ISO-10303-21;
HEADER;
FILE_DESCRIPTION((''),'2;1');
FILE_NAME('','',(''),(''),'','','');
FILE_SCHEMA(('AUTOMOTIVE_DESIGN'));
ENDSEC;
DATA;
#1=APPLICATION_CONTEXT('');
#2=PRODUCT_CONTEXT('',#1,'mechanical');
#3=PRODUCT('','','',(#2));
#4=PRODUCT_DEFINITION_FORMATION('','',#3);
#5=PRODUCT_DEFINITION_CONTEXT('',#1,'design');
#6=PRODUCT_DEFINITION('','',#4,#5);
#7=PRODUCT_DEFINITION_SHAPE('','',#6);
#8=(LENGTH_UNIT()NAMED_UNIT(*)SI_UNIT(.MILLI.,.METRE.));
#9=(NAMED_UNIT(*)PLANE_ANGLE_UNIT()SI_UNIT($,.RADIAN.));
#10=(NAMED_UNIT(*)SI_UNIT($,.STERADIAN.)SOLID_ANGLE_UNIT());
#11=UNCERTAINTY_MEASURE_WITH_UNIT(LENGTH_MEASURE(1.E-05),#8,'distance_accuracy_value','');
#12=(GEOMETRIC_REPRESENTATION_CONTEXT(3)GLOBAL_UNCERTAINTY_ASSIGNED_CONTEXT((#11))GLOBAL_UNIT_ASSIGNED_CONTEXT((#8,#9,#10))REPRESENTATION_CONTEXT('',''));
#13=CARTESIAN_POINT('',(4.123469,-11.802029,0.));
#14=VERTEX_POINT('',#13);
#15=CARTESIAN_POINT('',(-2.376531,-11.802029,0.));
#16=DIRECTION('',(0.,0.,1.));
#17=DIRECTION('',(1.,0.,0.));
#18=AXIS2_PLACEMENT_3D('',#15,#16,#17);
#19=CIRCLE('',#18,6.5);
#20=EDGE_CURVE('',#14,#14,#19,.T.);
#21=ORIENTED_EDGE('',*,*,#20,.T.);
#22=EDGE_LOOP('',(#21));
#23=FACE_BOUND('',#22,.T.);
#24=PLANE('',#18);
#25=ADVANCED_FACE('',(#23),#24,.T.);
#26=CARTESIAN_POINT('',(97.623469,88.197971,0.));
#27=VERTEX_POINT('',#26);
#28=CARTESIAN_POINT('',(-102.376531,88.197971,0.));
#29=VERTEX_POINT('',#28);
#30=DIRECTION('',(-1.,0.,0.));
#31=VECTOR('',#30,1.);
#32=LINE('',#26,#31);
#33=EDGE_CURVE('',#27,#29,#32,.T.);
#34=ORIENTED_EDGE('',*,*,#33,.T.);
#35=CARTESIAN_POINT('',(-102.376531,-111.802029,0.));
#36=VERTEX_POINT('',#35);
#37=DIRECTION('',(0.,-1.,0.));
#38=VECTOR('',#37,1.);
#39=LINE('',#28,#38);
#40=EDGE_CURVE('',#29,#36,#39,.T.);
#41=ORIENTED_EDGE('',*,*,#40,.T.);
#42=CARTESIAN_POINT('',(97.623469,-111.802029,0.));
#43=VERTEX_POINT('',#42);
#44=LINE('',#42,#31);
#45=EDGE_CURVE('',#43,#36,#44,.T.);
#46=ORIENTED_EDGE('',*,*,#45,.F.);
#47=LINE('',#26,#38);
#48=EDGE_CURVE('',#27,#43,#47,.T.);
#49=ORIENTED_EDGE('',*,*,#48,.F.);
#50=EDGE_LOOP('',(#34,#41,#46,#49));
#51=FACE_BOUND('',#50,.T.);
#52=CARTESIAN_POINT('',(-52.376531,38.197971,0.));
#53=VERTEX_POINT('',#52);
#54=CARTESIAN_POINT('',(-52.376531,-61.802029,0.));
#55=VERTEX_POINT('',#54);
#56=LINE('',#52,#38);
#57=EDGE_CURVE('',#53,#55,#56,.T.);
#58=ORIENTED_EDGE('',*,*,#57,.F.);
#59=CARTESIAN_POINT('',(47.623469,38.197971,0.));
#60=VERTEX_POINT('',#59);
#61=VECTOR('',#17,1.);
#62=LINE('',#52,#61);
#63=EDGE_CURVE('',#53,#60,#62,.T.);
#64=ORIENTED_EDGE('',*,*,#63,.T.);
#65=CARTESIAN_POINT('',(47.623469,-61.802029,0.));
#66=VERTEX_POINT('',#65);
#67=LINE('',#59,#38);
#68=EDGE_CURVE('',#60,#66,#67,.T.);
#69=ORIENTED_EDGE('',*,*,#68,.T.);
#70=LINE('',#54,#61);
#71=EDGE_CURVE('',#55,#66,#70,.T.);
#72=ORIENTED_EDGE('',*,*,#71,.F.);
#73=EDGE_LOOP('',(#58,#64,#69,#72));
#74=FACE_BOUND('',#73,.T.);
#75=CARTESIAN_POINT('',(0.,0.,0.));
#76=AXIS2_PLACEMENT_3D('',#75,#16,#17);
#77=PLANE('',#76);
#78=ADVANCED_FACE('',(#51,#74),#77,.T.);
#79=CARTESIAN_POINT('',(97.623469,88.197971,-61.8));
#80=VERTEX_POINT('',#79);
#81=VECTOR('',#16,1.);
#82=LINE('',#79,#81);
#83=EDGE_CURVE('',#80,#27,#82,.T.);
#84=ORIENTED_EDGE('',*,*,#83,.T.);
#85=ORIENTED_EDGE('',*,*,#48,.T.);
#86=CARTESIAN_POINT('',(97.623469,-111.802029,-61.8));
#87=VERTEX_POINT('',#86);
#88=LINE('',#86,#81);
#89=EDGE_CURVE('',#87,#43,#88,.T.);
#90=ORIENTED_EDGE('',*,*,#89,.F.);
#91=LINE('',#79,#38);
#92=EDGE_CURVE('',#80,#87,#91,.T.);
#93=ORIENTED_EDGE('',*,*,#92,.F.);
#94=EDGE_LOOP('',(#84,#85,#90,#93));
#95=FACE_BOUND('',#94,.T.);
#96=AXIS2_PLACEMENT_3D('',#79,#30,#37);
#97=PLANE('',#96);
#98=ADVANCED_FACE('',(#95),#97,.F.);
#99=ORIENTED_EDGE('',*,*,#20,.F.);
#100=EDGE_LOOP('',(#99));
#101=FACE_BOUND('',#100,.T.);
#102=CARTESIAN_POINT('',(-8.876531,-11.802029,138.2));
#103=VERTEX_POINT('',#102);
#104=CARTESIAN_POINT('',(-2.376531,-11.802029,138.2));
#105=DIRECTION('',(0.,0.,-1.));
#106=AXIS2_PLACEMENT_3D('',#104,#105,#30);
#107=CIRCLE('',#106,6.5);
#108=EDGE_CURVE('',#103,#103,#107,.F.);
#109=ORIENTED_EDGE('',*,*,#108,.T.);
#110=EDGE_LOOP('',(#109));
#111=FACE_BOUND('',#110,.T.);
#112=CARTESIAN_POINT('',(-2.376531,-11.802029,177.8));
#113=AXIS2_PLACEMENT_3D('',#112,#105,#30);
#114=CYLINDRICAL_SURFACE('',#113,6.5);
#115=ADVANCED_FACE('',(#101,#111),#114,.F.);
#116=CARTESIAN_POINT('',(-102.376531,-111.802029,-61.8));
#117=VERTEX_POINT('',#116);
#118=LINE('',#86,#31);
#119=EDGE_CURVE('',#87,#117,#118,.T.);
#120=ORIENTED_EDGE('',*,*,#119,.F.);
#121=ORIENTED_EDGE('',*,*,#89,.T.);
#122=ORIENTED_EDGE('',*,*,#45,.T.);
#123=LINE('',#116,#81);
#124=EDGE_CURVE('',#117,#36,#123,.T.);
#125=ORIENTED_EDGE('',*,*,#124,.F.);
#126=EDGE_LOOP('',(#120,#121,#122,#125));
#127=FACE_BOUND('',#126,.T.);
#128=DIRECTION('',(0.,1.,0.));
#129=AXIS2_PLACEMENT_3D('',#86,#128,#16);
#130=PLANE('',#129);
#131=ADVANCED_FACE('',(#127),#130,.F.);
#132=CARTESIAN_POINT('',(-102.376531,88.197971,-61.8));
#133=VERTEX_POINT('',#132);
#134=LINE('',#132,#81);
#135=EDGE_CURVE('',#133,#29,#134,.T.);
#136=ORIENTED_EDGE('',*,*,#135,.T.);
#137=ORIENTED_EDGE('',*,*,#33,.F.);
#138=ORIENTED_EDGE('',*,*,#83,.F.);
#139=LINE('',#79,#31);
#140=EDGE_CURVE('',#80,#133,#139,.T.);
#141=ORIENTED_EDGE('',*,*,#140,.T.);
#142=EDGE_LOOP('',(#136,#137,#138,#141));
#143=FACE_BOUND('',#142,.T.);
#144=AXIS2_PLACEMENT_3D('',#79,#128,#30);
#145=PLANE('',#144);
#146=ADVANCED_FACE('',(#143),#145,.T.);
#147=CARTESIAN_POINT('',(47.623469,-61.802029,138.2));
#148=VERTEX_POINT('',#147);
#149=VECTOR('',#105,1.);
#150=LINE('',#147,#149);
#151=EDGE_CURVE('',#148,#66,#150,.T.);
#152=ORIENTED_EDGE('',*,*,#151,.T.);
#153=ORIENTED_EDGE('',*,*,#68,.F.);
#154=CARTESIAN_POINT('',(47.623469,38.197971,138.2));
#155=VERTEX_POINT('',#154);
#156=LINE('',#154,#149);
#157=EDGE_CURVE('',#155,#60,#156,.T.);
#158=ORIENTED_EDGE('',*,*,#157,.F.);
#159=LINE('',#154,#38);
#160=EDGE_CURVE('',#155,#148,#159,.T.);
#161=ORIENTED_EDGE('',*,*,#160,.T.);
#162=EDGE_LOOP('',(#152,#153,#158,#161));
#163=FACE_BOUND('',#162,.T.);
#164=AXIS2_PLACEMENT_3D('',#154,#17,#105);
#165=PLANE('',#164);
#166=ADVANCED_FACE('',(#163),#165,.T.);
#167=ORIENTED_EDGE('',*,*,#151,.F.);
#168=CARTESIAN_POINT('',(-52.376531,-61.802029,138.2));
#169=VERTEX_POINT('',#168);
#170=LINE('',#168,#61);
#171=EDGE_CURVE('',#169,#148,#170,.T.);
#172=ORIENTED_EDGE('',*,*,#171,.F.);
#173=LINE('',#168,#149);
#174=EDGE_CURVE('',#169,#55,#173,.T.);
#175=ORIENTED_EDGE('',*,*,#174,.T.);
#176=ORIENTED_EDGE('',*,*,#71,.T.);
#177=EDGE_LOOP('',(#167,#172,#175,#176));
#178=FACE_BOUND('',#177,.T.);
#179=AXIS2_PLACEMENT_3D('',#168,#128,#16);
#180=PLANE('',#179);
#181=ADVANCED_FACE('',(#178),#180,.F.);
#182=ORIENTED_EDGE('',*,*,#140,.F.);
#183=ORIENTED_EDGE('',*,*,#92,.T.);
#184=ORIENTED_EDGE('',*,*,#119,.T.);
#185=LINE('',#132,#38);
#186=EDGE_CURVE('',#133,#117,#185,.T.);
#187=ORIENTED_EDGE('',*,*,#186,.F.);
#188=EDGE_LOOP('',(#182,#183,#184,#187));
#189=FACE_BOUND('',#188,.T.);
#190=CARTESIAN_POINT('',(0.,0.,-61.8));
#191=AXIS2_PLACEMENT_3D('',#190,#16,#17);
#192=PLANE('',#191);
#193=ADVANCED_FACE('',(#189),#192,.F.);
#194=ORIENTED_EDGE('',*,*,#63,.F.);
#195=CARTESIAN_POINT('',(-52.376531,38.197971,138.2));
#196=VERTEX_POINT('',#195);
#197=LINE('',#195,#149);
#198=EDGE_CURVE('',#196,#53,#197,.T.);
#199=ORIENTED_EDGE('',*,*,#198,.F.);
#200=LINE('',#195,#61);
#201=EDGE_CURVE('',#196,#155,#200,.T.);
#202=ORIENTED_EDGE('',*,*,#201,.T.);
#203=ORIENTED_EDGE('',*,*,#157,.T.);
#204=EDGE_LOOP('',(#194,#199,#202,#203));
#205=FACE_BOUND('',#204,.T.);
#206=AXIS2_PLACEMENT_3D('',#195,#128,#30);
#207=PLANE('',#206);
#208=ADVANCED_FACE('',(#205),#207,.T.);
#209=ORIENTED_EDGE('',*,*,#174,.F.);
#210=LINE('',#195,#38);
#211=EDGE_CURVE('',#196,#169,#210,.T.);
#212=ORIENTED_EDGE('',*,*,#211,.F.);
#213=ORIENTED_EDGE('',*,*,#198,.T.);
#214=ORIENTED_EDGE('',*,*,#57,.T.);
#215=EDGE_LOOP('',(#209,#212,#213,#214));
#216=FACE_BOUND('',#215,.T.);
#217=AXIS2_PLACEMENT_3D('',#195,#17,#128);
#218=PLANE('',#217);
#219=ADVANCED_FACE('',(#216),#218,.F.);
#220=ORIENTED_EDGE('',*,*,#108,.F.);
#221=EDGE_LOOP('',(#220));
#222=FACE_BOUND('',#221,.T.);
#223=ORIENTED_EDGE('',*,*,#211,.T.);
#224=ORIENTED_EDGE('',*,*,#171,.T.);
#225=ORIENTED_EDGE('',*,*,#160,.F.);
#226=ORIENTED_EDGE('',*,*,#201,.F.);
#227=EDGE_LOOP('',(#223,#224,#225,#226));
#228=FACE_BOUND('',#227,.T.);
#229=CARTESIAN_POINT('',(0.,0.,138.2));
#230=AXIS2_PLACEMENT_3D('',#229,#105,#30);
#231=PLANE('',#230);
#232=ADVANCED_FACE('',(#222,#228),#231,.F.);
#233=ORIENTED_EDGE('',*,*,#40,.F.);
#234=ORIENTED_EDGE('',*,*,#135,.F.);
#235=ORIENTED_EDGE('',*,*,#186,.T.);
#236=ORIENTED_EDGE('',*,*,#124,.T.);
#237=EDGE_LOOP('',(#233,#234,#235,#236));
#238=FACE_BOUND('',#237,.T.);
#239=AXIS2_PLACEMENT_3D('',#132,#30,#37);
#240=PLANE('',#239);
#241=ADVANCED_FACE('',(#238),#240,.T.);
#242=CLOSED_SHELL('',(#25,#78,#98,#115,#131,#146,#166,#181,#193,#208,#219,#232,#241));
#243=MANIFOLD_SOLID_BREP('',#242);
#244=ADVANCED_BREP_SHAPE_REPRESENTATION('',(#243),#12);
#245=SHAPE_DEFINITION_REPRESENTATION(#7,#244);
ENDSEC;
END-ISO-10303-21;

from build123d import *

# Parameters (mm, degrees)
SKETCH_1_W          = 100
SKETCH_1_H          = 100
EXTRUDE_2_DEPTH     = 138.2
SKETCH_1_4_W        = 200
SKETCH_1_4_H        = 200
EXTRUDE_3_DEPTH     = 61.8
SKETCH_1_5_R        = 6.5
CUT_EXTRUDE_1_DEPTH = 177.8


with BuildPart() as part:
    # 草图1 → 凸台-拉伸2 (new body)
    with BuildSketch(Plane.XY):
        with Locations((-2.376531009, -11.802029242)):
            Rectangle(SKETCH_1_W, SKETCH_1_H)
    extrude(amount=EXTRUDE_2_DEPTH)

    # 草图1<4> → 凸台-拉伸3 (add)
    with BuildSketch(Plane.XY):
        with Locations((-2.376531009, -11.802029242)):
            Rectangle(SKETCH_1_4_W, SKETCH_1_4_H)
    extrude(amount=-EXTRUDE_3_DEPTH)

    # 草图1<5> → 切除-拉伸1 (cut)
    with BuildSketch(Plane.XY):
        with Locations((-2.376531009, -11.802029242)):
            Circle(SKETCH_1_5_R)
    extrude(amount=CUT_EXTRUDE_1_DEPTH, mode=Mode.SUBTRACT)


solid = part.part
